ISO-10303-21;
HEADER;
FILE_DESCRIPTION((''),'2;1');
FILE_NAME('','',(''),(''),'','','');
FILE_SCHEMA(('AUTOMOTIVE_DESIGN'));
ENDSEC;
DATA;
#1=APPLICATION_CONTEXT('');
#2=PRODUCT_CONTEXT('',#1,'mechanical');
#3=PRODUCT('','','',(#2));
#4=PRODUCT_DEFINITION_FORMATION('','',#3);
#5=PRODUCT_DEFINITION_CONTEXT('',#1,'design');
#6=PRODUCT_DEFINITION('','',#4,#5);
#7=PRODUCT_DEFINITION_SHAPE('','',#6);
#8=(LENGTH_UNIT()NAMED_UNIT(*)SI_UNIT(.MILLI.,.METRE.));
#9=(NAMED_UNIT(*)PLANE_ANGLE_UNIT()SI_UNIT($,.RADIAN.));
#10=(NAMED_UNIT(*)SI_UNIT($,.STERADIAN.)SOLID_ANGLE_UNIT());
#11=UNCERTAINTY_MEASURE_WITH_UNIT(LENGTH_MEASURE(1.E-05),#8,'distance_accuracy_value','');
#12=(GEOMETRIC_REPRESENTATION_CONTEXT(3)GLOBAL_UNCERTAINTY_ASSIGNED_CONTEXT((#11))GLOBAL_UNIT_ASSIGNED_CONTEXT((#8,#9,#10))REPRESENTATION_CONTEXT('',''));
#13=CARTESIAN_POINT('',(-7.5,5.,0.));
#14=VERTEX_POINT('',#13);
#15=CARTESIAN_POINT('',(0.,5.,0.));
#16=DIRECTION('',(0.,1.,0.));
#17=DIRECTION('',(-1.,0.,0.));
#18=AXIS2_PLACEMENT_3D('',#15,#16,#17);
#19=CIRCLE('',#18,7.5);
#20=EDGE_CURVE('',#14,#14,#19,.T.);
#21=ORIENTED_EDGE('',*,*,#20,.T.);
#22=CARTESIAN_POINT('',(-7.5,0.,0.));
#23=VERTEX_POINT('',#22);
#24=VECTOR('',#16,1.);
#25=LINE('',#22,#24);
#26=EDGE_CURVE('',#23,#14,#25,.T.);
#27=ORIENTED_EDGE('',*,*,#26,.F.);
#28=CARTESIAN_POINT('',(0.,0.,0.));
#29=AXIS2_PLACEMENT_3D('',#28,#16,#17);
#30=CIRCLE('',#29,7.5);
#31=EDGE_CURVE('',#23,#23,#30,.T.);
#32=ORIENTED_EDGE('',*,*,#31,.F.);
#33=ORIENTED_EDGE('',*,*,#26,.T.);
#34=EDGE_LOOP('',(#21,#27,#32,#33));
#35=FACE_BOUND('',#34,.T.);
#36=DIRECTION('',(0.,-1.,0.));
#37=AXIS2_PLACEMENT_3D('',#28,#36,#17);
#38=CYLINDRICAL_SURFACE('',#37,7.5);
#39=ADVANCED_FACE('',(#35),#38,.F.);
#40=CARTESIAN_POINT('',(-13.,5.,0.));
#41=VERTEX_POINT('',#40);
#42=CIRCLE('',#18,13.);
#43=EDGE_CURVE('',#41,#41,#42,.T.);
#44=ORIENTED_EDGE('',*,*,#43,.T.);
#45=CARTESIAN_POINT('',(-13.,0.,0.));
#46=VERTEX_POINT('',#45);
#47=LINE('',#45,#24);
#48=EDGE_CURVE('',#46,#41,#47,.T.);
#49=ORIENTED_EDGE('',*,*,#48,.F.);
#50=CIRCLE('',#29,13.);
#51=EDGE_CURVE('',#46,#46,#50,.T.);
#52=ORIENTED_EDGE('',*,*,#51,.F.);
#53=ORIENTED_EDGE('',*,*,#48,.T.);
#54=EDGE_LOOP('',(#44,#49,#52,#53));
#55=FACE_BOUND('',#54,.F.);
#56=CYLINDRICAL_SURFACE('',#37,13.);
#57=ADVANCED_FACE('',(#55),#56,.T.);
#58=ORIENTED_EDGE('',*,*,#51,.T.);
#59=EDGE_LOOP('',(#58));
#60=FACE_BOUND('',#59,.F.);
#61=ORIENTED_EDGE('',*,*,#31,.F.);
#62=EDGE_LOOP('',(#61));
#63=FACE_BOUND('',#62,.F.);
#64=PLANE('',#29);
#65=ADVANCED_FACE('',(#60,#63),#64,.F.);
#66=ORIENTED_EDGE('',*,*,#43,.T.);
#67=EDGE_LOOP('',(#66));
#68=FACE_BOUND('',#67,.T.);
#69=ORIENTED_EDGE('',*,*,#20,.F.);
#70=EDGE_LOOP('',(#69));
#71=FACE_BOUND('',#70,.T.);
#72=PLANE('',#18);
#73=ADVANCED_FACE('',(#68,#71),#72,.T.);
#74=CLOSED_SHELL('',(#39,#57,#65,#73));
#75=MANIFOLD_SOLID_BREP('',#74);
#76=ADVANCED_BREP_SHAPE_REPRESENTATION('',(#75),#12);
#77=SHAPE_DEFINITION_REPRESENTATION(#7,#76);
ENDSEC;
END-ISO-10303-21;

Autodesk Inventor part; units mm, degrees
ref_plane "YZ Plane" through (0, 0, 0) normal (1, 0, 0) x (0, 1, 0)
ref_plane "XZ Plane" through (0, 0, 0) normal (0, 1, 0) x (-1, 0, 0)
ref_plane "XY Plane" through (0, 0, 0) normal (0, 0, 1) x (1, 0, 0)
sketch "Sketch1" plane through (0, 0, 0) normal (0, 1, 0) x (-1, 0, 0)
  circle A0 centre (0, 0) radius 13
  circle A1 centre (0, 0) radius 7.5
  dimension "d0" = 26
  dimension "d1" = 15
extrude "Extrusion1" add sketch "Sketch1" along normal blind 5
properties part number "small_bearing"
